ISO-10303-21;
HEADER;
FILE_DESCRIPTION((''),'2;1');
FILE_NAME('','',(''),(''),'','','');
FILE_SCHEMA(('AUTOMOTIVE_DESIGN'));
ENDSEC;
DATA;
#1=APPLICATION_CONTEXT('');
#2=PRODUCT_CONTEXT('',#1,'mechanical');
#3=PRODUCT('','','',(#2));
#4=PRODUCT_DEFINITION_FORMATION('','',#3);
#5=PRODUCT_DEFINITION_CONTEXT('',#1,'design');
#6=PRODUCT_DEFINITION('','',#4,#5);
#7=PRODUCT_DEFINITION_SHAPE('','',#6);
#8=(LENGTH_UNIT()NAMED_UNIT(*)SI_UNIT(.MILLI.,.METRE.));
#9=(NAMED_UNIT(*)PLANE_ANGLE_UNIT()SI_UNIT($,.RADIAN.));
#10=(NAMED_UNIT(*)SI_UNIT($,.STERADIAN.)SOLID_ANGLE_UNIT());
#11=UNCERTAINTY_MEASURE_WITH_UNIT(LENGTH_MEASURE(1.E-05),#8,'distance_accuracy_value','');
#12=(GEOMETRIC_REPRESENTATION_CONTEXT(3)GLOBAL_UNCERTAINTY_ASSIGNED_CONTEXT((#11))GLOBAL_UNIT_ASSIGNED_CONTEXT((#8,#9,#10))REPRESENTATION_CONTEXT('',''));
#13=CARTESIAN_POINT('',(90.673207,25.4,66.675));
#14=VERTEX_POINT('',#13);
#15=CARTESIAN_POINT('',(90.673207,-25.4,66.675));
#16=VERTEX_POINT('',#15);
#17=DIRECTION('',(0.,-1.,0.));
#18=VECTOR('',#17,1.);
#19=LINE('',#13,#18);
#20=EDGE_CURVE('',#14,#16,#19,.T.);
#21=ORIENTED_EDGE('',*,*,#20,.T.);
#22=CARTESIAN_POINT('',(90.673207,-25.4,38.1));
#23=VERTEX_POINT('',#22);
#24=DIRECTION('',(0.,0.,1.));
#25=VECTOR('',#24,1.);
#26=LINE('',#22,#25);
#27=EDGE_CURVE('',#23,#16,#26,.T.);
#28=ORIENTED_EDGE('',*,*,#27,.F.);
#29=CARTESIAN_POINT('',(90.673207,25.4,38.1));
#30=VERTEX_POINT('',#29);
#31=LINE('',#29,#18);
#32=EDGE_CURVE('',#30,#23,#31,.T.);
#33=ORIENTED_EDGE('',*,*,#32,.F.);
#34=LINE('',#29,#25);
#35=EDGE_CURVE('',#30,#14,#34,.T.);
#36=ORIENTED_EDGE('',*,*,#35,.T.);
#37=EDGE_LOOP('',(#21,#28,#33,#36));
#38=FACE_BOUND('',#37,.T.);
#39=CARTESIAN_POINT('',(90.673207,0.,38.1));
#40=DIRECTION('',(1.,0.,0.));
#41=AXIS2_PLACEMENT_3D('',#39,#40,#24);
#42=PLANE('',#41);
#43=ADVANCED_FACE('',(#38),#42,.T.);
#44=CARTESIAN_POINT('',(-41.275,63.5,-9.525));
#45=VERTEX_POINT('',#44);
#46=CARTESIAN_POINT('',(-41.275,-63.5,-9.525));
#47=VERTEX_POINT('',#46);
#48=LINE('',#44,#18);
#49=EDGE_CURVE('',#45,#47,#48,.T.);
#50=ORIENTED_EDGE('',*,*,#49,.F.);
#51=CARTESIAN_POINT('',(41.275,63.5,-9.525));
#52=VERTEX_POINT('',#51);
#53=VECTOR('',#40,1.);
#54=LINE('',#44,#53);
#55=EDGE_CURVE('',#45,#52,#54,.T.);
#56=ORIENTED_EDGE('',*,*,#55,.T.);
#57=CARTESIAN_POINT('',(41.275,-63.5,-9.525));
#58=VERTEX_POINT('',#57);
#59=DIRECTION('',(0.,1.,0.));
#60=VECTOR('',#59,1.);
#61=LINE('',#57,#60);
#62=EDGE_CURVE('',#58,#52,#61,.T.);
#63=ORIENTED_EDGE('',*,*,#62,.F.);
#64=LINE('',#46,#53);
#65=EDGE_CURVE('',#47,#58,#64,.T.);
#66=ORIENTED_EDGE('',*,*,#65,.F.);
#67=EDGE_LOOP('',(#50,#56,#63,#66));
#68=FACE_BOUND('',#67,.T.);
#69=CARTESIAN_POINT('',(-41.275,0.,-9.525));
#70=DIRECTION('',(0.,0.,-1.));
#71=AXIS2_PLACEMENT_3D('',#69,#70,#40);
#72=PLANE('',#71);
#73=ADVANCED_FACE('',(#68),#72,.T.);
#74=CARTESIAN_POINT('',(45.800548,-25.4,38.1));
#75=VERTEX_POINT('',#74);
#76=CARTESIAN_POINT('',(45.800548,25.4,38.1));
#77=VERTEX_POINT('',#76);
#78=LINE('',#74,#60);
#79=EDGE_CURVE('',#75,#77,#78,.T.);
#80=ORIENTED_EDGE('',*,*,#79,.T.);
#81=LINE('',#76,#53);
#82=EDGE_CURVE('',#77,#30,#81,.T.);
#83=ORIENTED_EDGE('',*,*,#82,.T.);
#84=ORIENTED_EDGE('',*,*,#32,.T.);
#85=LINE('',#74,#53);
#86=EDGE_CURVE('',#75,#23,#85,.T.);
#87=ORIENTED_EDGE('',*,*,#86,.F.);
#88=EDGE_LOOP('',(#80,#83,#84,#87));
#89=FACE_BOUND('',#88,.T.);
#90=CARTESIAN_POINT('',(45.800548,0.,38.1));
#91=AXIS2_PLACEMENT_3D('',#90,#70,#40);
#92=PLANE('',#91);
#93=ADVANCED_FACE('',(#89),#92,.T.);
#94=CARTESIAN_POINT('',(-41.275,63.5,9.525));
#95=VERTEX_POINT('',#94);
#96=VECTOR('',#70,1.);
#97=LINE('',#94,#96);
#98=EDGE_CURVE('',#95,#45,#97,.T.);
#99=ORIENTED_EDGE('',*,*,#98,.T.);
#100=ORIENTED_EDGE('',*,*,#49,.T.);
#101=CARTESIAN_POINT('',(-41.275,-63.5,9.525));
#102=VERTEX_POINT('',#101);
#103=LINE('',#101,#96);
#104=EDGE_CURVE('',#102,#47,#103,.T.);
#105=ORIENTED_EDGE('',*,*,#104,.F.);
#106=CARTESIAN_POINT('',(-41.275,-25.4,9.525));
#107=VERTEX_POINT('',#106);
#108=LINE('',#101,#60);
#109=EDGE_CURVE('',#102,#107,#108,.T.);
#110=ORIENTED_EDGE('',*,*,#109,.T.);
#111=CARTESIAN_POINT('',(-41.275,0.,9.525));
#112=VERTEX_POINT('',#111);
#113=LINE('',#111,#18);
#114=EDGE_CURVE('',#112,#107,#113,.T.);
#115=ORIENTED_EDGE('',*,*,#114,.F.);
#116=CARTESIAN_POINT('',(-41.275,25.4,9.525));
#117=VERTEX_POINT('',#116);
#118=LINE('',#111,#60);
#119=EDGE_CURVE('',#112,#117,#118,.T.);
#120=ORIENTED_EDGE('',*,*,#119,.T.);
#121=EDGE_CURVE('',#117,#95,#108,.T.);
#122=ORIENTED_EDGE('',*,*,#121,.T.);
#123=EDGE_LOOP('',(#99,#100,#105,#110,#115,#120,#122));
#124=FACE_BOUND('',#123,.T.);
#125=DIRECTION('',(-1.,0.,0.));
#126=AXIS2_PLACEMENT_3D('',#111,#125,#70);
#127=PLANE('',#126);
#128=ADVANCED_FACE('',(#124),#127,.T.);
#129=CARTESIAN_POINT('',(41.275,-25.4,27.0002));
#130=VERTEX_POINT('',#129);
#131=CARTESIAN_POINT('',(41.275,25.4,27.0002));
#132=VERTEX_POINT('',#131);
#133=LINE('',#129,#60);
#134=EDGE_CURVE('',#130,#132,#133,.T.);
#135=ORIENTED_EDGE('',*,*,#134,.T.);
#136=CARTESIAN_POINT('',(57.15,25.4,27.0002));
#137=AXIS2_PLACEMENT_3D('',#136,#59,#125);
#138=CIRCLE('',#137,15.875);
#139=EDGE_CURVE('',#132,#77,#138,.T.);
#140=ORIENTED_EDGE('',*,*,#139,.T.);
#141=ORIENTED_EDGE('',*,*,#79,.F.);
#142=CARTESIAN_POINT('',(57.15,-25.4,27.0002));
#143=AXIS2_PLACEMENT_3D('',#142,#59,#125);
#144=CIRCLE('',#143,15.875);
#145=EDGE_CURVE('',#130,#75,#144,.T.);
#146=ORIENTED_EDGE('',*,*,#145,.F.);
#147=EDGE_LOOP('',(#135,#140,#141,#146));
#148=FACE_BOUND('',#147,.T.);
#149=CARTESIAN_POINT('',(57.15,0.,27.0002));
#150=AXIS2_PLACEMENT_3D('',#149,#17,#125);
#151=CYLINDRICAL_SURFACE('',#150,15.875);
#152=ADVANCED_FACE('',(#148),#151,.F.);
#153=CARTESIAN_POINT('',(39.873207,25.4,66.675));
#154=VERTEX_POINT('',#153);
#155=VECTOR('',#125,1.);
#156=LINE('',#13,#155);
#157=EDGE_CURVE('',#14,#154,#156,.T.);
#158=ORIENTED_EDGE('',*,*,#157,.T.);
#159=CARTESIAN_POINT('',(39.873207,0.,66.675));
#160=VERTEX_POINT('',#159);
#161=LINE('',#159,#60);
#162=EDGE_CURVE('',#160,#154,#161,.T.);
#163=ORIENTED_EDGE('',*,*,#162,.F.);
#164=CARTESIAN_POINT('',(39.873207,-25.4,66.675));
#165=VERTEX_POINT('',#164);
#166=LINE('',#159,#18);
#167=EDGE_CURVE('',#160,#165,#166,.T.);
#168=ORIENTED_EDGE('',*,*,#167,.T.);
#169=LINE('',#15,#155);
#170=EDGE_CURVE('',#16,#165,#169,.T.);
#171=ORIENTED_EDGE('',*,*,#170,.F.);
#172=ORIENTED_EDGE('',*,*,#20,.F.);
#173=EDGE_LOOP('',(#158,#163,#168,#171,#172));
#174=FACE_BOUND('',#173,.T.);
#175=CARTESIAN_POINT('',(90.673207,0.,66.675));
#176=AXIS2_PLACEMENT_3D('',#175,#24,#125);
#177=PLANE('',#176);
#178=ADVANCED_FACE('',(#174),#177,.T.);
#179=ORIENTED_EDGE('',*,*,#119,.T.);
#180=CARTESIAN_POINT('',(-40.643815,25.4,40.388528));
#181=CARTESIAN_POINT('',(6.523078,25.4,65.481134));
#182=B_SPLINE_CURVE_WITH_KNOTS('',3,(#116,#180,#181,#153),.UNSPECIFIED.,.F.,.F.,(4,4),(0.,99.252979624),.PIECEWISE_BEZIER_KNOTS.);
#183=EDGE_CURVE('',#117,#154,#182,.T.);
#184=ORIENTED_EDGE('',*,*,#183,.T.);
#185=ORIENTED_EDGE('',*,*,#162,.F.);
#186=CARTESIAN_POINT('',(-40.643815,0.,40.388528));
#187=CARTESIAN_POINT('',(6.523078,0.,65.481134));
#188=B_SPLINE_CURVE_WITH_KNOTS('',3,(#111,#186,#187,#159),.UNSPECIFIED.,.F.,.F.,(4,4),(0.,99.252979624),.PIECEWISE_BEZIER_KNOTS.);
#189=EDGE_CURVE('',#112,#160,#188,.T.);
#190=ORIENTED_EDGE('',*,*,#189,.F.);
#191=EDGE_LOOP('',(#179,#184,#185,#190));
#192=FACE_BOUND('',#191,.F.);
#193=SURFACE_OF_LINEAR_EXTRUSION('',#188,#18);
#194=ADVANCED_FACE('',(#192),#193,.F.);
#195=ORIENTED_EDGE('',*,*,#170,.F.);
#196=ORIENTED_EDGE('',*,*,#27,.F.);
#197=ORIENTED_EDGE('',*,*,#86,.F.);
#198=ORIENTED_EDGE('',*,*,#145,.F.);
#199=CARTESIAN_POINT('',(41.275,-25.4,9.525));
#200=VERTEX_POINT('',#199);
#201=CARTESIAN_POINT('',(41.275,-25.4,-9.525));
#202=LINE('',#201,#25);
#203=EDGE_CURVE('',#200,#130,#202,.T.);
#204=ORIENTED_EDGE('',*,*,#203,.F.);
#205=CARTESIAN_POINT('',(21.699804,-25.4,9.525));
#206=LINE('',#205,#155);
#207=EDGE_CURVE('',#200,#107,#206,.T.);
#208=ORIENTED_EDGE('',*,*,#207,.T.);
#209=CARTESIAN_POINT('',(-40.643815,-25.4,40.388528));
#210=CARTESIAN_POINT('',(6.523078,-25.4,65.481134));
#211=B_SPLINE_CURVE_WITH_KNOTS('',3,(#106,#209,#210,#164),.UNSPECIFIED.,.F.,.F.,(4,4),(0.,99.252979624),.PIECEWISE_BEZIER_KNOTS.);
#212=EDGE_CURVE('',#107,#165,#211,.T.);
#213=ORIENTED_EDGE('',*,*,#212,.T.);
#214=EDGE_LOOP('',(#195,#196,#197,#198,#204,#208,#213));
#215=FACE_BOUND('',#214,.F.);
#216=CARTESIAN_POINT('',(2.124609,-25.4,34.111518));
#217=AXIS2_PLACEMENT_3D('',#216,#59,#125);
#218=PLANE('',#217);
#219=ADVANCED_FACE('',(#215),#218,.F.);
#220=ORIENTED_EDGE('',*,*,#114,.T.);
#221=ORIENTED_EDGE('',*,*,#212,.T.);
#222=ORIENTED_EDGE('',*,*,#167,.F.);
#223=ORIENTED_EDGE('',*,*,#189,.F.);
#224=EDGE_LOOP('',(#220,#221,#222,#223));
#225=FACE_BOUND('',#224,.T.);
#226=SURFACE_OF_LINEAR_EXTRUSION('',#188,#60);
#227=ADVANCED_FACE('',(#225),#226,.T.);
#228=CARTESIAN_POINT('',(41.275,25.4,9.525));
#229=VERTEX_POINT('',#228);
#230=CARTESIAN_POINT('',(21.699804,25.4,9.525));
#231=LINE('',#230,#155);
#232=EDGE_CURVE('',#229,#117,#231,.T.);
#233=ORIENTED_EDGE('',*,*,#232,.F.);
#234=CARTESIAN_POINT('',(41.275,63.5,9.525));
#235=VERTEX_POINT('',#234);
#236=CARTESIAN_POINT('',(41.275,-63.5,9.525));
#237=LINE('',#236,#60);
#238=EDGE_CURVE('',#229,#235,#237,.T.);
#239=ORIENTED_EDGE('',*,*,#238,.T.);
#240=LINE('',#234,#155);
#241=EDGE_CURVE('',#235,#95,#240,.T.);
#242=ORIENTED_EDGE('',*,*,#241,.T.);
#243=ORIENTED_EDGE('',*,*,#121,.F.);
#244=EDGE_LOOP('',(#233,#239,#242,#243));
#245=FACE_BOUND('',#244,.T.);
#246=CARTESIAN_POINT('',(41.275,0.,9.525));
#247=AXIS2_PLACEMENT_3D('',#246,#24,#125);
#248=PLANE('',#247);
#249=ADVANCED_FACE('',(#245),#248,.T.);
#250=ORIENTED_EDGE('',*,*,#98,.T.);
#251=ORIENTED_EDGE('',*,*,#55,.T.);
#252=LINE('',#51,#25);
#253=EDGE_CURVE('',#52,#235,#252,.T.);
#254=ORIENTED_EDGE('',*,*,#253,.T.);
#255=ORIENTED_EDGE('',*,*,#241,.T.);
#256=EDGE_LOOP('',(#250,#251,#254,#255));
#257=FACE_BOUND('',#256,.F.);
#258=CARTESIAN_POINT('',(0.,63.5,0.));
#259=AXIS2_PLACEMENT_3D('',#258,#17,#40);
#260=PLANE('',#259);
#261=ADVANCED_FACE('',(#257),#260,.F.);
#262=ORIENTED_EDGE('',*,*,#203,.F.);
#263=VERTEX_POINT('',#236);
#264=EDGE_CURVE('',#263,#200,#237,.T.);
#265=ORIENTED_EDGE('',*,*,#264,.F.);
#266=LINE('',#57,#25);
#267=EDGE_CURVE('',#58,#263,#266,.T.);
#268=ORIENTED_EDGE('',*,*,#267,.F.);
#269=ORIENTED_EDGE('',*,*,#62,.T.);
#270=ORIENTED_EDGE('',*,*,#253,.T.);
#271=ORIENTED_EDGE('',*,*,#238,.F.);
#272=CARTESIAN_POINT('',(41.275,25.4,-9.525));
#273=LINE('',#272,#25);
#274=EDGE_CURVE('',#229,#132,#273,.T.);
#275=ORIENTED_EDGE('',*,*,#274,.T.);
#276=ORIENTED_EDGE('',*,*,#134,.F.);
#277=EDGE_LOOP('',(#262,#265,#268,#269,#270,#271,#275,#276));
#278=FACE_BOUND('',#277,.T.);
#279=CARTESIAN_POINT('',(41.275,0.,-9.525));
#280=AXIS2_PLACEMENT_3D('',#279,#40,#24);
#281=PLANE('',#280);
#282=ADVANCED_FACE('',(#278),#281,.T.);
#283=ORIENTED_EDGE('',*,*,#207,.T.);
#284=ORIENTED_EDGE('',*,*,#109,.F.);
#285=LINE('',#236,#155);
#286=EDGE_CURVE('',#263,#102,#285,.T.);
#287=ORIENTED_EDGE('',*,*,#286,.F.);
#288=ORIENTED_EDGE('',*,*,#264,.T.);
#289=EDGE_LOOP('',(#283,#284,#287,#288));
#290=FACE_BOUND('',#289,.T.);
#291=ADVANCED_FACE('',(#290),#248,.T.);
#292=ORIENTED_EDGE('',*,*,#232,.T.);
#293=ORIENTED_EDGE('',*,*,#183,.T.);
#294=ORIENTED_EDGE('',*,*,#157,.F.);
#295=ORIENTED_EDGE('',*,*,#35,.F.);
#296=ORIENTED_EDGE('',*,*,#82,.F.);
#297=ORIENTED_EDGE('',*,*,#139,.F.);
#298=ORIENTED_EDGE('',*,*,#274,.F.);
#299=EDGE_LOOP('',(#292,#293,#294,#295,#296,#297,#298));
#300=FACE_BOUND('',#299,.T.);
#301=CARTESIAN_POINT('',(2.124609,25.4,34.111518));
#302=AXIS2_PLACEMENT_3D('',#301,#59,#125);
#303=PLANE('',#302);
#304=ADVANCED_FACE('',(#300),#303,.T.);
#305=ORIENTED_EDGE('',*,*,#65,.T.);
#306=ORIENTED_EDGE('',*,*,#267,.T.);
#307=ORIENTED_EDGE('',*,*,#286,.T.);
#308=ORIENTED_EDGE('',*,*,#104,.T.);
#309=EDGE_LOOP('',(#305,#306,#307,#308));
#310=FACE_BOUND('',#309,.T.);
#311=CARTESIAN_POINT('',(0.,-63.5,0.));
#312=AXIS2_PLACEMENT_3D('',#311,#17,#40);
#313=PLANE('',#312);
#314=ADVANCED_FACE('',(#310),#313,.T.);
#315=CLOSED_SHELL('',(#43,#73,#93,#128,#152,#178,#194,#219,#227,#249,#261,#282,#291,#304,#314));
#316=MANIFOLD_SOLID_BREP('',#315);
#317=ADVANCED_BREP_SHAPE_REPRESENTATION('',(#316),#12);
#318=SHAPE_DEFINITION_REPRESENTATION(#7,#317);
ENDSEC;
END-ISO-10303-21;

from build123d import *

# Parameters (mm, degrees)
F1_DEPTH = 63.5
F2_DEPTH = 25.4


with BuildPart() as f1:
    # F0 (on Front) → F1 (new body, symmetric)
    with BuildSketch(Plane.XZ):
        Polygon((22.225, 9.525), (-41.275, 9.525), (-41.275, -9.525), (41.275, -9.525), (41.275, 9.525), align=None)
    extrude(amount=F1_DEPTH, both=True)

    # F0 (on Front) → F2 (join, symmetric)
    with BuildSketch(Plane.XZ):
        with BuildLine():
            add(Edge.make_bspline(
                [(-41.275, 9.525), (-40.6438149512, 40.3885282576), (6.5230778418, 65.481133759), (39.8732067838, 66.675)],
                knots=[0, 0, 0, 0, 99.2529796239, 99.2529796239, 99.2529796239, 99.2529796239], degree=3))
            Line((-41.275, 9.525), (22.225, 9.525))
            Line((22.225, 9.525), (22.225, 27.0002))
            ThreePointArc((22.225, 27.0002), (26.9577192972, 44.5553078311), (39.8732067838, 57.352597618))
            Line((39.8732067838, 57.352597618), (39.8732067838, 66.675))
        make_face()
        Polygon((22.225, 9.525), (-41.275, 9.525), (-41.275, -9.525), (41.275, -9.525), (41.275, 9.525), align=None)
        with BuildLine():
            Line((22.225, 27.0002), (22.225, 9.525))
            Line((22.225, 9.525), (41.275, 9.525))
            Line((41.275, 9.525), (41.275, 27.0002))
            ThreePointArc((41.275, 27.0002), (42.4498609109, 32.9936577466), (45.8005478123, 38.1))
            Line((45.8005478123, 38.1), (39.8732067838, 38.1))
            Line((39.8732067838, 38.1), (39.8732067838, 57.352597618))
            ThreePointArc((39.8732067838, 57.352597618), (26.9577192972, 44.5553078311), (22.225, 27.0002))
        make_face()
        with BuildLine():
            Line((90.6732067838, 66.675), (39.8732067838, 66.675))
            Line((39.8732067838, 66.675), (39.8732067838, 57.352597618))
            ThreePointArc((39.8732067838, 57.352597618), (48.2141693674, 60.7627022163), (57.15, 61.9252))
            Line((57.15, 61.9252), (85.725, 61.9252))
            Line((85.725, 61.9252), (85.725, 42.8752))
            Line((85.725, 42.8752), (57.15, 42.8752))
            ThreePointArc((57.15, 42.8752), (50.9934465811, 41.6327826497), (45.8005478123, 38.1))
            Line((45.8005478123, 38.1), (90.6732067838, 38.1))
            Line((90.6732067838, 38.1), (90.6732067838, 66.675))
        make_face()
        with BuildLine():
            ThreePointArc((57.15, 61.9252), (48.2141693674, 60.7627022163), (39.8732067838, 57.352597618))
            Line((39.8732067838, 57.352597618), (39.8732067838, 38.1))
            Line((39.8732067838, 38.1), (45.8005478123, 38.1))
            ThreePointArc((45.8005478123, 38.1), (50.9934465811, 41.6327826497), (57.15, 42.8752))
            Line((57.15, 42.8752), (85.725, 42.8752))
            Line((85.725, 42.8752), (85.725, 61.9252))
            Line((85.725, 61.9252), (57.15, 61.9252))
        make_face()
    extrude(amount=F2_DEPTH, both=True)


solid = f1.part
